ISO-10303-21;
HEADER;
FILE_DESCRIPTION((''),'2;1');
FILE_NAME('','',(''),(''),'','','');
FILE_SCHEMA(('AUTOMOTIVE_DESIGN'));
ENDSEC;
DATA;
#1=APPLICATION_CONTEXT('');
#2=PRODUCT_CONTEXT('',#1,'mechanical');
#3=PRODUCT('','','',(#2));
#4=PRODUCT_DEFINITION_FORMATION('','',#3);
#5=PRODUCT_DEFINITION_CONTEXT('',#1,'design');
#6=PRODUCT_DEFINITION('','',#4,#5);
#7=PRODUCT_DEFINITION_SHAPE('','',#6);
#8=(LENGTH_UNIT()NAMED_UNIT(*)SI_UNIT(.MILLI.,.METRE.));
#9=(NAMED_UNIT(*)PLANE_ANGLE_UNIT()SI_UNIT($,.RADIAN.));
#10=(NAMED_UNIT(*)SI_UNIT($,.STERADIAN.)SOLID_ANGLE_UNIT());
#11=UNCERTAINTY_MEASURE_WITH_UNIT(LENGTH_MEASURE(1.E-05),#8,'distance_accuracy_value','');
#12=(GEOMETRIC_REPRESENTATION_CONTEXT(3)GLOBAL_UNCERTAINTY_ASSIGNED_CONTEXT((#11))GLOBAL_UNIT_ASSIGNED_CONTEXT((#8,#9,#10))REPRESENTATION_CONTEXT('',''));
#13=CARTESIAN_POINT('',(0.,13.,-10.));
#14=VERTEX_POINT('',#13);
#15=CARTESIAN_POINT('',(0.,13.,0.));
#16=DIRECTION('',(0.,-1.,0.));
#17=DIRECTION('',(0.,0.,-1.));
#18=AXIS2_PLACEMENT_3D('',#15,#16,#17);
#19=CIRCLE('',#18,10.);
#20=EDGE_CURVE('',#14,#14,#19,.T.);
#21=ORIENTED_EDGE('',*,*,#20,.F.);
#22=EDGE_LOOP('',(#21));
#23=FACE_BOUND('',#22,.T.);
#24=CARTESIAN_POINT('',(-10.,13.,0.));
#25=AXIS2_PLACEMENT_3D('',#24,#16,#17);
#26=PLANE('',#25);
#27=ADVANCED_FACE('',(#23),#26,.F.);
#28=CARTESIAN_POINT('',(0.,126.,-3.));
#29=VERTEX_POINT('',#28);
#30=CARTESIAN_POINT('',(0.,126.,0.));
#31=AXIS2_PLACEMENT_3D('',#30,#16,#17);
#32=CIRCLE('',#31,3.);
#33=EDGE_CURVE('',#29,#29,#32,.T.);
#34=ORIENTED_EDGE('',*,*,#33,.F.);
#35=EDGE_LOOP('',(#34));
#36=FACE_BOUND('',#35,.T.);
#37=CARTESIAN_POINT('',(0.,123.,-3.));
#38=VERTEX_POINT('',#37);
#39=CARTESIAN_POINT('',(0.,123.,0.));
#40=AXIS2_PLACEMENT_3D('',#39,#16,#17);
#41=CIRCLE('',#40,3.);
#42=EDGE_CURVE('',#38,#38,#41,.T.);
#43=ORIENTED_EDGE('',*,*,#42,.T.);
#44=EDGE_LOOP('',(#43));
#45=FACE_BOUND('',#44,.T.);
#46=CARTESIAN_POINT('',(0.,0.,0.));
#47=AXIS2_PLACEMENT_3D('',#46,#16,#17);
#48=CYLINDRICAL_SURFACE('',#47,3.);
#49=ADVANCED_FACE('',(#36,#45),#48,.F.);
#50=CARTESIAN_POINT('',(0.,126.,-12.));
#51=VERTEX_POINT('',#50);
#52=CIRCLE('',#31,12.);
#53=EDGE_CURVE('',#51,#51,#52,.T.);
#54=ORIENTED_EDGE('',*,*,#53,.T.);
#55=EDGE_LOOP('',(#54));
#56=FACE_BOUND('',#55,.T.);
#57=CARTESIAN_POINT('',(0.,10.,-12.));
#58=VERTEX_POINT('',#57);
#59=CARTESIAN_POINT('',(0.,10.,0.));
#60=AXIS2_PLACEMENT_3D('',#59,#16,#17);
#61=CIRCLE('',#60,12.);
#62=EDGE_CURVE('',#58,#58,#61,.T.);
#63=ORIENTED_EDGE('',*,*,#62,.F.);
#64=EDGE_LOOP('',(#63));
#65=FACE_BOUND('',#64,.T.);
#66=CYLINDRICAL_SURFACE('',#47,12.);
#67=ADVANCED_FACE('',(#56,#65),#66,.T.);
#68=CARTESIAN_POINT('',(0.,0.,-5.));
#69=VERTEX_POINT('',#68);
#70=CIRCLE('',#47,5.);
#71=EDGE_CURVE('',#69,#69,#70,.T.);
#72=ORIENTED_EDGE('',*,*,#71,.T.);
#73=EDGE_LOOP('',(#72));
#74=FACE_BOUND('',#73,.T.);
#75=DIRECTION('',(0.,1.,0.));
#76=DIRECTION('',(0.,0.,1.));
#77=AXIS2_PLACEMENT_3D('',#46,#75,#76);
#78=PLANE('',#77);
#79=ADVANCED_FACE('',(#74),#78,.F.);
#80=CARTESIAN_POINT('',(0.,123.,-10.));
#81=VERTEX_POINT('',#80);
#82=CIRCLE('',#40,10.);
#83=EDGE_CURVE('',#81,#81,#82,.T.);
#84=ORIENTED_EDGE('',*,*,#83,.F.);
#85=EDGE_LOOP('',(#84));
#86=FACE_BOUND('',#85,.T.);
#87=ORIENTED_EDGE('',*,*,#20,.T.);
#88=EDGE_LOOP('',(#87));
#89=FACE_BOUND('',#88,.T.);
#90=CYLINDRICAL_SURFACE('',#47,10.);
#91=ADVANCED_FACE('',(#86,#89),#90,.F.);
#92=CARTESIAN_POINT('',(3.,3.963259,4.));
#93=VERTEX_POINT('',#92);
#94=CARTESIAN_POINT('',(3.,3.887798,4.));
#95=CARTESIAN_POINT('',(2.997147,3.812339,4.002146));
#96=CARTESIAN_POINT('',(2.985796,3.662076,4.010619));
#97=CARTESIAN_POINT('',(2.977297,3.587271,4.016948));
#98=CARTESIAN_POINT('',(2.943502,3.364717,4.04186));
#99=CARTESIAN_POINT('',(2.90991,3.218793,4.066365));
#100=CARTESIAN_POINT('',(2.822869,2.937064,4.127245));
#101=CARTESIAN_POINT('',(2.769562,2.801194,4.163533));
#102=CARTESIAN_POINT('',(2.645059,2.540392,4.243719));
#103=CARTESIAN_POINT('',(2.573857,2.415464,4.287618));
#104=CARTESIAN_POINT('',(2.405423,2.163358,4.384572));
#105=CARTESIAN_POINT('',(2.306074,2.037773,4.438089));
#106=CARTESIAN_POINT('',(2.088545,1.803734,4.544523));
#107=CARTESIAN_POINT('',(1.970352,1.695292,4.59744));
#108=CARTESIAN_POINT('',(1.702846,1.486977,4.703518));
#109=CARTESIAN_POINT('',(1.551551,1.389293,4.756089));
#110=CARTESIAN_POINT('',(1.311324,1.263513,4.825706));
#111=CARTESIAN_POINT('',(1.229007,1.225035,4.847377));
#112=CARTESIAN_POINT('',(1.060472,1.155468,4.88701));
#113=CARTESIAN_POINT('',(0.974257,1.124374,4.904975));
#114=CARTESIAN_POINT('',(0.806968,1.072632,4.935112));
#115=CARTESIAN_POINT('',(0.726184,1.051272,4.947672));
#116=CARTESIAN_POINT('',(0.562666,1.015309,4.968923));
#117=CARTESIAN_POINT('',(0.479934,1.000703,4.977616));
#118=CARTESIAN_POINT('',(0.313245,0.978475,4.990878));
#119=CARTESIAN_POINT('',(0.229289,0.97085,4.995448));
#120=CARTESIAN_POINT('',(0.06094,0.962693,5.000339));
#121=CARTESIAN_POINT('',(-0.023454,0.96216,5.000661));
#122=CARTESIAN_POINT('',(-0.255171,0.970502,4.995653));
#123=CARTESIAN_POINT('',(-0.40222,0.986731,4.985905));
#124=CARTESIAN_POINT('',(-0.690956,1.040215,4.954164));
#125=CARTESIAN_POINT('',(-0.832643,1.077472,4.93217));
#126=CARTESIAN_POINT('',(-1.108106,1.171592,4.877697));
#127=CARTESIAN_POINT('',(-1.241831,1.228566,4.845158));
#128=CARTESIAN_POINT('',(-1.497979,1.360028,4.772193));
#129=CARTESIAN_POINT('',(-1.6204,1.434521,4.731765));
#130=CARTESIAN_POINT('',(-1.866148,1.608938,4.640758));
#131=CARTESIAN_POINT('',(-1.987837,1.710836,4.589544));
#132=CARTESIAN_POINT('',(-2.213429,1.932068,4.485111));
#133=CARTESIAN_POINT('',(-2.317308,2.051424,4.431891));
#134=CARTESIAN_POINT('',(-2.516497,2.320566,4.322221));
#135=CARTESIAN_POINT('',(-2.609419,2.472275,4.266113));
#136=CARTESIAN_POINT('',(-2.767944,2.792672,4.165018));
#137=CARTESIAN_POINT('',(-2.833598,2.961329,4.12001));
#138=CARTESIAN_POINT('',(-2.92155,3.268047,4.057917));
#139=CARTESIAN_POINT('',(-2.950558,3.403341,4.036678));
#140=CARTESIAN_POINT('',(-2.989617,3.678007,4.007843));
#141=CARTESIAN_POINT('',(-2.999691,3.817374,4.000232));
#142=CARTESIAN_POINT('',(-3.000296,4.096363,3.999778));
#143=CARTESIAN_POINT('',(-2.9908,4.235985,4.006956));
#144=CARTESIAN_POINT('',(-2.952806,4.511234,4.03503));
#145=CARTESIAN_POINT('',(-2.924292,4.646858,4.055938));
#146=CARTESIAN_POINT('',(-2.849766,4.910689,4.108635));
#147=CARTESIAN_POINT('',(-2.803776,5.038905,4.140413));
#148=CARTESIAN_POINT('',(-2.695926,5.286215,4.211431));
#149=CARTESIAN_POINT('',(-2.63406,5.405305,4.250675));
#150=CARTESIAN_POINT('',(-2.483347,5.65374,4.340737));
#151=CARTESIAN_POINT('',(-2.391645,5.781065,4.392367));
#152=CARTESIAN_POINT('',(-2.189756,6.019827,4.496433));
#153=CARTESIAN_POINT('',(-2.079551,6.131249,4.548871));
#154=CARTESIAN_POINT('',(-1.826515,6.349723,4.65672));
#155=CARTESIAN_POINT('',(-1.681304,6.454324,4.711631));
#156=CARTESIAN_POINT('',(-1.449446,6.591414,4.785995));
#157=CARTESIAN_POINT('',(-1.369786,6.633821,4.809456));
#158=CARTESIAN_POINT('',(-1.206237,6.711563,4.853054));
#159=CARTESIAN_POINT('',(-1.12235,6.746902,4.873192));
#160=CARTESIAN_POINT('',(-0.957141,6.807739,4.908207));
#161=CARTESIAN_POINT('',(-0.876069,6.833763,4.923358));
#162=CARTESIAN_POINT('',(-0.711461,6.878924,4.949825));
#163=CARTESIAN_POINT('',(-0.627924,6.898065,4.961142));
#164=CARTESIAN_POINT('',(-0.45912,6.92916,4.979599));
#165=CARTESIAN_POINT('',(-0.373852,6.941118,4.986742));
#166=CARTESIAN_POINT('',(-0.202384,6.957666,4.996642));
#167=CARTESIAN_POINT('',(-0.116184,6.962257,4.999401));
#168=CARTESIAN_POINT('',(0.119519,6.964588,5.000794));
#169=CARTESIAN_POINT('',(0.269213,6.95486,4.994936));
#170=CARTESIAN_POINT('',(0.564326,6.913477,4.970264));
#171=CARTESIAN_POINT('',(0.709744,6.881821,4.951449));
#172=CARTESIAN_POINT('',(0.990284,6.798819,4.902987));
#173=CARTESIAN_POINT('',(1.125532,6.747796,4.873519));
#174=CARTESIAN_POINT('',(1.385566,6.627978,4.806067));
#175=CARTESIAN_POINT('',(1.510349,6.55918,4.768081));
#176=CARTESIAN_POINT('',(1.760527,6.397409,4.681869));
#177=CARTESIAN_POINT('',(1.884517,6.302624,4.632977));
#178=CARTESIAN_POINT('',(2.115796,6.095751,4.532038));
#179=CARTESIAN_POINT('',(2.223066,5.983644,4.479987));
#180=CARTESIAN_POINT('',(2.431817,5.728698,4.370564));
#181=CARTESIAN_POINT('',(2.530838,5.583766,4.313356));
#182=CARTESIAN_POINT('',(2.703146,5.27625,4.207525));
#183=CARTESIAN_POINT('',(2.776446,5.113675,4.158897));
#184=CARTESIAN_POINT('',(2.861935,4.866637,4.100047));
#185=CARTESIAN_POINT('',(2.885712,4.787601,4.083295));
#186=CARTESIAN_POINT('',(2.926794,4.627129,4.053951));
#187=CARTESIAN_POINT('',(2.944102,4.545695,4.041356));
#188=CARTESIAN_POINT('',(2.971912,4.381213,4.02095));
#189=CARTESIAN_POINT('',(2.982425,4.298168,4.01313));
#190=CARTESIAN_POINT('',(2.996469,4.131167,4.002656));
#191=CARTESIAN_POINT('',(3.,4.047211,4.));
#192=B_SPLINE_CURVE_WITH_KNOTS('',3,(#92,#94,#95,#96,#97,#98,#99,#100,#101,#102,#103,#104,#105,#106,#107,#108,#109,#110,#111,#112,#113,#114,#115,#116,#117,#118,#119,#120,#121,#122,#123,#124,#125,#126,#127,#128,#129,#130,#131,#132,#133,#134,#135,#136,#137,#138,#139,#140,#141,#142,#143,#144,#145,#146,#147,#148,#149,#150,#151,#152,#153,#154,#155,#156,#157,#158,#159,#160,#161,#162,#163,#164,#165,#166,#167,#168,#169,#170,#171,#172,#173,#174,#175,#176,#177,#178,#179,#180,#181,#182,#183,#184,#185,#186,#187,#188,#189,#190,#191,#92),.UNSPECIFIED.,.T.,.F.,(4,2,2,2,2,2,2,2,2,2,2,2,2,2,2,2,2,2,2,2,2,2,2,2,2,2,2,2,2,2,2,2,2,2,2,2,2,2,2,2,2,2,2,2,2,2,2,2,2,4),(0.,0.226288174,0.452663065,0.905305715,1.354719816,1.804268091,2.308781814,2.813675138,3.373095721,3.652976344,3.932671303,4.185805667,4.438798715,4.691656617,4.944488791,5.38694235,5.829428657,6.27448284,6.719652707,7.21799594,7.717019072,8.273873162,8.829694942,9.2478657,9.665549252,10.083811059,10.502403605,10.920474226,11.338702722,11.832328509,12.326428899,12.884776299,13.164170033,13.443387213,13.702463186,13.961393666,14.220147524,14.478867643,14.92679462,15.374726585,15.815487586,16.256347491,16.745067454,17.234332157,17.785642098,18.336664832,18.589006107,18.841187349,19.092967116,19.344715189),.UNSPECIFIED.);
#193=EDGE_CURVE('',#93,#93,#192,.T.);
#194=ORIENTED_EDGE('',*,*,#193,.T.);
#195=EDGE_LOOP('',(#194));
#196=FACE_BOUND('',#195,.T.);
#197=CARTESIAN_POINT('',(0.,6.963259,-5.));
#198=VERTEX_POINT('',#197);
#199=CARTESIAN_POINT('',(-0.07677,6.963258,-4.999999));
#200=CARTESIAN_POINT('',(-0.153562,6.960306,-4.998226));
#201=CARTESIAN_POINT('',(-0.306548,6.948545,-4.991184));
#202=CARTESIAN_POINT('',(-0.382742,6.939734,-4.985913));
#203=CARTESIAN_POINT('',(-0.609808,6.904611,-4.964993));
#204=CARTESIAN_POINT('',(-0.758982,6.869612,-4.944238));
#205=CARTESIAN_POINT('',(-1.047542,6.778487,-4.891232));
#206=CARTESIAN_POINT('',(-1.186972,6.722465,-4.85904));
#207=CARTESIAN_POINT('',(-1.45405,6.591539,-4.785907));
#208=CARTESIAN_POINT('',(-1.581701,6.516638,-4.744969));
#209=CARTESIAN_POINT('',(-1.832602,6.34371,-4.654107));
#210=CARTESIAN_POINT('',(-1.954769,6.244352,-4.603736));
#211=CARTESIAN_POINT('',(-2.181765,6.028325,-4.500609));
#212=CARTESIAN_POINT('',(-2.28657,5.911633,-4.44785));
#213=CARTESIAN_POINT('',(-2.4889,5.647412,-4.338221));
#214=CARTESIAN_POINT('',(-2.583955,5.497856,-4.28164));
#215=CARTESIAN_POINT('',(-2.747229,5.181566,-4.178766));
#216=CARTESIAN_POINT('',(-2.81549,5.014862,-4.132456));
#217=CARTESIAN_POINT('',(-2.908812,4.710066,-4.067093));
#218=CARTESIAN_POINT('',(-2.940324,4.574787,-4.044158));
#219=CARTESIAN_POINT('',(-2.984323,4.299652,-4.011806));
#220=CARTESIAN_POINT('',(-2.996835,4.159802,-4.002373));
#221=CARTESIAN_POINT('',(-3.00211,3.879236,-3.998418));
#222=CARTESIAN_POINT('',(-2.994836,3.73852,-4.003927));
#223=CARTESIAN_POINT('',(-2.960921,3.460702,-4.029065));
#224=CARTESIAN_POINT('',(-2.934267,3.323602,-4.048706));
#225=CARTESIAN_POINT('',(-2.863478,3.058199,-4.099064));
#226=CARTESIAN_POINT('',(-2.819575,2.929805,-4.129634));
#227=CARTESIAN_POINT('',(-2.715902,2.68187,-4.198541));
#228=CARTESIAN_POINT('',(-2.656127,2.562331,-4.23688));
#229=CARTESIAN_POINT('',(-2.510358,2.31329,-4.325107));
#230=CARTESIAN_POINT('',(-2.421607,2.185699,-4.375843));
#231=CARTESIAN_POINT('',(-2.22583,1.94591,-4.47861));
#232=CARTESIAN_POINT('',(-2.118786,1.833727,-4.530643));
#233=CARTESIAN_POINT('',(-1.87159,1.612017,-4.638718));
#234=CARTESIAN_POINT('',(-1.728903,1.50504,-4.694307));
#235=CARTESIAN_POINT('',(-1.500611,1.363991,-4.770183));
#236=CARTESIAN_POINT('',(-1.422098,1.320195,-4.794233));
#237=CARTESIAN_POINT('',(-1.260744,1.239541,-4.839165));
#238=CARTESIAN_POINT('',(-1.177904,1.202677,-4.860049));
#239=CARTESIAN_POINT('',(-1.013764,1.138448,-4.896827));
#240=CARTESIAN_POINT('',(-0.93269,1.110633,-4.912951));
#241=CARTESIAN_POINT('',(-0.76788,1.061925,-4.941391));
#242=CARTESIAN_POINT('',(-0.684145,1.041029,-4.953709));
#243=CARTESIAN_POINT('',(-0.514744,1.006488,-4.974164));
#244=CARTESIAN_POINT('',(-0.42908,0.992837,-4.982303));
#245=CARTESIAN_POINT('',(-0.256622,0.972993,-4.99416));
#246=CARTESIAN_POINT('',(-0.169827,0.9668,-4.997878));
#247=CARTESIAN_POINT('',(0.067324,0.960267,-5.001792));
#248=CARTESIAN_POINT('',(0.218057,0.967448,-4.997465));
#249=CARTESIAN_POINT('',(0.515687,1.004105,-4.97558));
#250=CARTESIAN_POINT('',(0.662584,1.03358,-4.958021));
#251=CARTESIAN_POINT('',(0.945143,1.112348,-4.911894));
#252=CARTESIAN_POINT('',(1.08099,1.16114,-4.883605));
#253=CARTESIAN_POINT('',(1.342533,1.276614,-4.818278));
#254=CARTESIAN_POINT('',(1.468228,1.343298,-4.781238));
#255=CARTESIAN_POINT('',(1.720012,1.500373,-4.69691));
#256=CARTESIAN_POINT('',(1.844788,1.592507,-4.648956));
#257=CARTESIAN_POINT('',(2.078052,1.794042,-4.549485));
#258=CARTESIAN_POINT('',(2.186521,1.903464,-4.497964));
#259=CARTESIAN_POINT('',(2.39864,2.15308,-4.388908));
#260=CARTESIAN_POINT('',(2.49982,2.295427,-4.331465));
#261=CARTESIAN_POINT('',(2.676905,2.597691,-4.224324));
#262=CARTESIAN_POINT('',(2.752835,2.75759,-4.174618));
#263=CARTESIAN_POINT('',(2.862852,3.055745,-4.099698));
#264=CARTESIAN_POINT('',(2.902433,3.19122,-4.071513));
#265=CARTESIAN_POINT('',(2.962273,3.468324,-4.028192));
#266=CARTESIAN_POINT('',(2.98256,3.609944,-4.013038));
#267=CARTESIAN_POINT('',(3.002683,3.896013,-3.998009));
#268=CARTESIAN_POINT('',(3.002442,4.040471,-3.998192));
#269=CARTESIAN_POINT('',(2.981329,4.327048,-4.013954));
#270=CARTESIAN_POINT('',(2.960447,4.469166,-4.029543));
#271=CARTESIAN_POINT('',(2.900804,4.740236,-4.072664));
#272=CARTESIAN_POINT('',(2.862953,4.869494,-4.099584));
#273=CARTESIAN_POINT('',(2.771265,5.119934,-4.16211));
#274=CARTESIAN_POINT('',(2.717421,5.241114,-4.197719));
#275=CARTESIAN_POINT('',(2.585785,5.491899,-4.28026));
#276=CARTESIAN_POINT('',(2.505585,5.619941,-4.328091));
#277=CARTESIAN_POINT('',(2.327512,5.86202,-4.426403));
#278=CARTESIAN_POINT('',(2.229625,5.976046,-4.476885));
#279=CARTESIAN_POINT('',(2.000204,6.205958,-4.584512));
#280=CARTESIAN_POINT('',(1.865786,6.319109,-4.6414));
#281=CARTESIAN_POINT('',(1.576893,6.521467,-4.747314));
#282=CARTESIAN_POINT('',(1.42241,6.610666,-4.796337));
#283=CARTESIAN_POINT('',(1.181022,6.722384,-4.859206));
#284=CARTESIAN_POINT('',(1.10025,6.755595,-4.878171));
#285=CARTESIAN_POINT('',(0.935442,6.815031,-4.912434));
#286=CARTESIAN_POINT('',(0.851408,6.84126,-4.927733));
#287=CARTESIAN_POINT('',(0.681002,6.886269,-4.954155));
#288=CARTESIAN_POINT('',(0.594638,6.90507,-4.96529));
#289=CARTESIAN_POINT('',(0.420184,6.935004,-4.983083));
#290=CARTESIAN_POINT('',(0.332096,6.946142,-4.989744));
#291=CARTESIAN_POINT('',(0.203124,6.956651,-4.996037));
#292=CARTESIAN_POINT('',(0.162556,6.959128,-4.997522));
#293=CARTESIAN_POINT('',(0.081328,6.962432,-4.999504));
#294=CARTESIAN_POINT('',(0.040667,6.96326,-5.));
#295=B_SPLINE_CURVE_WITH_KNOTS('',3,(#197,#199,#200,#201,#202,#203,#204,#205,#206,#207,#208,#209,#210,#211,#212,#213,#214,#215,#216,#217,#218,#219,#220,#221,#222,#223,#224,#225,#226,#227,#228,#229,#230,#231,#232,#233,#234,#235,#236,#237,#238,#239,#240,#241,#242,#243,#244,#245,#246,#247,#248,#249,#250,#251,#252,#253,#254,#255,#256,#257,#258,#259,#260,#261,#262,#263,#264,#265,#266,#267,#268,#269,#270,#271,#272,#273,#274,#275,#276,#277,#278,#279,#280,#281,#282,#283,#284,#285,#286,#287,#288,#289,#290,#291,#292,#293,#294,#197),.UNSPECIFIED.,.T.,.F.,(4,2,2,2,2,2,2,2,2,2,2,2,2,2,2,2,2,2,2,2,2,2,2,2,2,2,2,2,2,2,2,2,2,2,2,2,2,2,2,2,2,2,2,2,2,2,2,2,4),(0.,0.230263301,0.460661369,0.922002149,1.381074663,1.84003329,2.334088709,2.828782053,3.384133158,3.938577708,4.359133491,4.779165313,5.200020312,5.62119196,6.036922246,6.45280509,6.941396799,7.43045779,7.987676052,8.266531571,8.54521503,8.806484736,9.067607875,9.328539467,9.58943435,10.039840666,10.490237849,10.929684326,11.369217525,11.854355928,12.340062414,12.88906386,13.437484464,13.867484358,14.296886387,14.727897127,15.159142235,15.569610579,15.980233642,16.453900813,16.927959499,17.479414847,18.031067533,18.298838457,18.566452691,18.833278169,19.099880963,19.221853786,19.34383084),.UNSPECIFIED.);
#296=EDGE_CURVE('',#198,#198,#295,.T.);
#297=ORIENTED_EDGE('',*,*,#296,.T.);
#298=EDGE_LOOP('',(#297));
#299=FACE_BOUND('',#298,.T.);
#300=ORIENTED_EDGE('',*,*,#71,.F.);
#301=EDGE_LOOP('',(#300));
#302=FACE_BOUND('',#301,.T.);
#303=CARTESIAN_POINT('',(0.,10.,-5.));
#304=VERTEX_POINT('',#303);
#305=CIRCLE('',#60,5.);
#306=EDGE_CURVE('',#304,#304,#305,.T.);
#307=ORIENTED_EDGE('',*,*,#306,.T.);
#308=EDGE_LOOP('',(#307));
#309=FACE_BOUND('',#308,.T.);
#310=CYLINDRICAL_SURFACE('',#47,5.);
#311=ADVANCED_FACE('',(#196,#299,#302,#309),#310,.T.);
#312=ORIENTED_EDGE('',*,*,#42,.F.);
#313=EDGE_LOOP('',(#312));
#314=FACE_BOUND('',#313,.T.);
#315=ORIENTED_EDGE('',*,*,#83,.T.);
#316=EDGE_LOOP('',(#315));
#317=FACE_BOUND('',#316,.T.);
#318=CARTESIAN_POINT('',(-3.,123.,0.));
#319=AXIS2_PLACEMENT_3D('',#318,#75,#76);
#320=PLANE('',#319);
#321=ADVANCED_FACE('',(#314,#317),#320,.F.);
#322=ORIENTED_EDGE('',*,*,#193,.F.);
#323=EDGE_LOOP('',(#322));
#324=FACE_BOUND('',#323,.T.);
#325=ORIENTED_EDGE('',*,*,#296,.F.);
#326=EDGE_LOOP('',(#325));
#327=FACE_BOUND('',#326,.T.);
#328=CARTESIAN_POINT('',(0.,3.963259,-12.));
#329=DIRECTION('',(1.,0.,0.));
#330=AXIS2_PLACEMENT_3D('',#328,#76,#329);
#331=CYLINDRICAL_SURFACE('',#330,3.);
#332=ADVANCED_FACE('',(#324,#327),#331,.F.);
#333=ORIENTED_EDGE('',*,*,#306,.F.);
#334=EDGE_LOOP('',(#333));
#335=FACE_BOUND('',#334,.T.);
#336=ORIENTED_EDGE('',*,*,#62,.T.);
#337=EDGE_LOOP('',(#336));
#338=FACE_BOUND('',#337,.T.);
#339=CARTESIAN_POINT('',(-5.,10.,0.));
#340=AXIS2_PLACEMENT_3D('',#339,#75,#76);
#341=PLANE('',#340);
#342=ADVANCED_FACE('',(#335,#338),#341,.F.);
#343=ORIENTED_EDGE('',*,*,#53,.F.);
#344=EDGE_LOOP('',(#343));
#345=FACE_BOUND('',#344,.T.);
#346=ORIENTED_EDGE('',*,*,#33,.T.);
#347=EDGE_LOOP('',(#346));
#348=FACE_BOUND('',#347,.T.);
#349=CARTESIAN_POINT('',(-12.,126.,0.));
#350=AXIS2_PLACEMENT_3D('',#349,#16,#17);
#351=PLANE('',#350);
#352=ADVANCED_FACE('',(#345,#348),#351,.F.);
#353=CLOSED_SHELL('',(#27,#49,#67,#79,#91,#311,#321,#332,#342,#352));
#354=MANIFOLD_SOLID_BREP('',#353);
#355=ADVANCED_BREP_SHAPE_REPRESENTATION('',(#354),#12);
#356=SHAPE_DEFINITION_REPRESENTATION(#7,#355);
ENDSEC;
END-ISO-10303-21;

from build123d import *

# Parameters (mm, degrees)
CUT_EXTRUDE_1_DEPTH      = 128.137720603
CUT_EXTRUDE_1_DEPTH_BACK = 128.137720603
SKETCH_2_R               = 3


with BuildPart() as part:
    # 草图1 → 旋转1 (revolve)
    with BuildSketch(Plane.XY, mode=Mode.PRIVATE) as revolve_1_sk:
        Polygon((0, 0), (-5, 0), (-5, 10), (-12, 10), (-12, 126), (-3, 126), (-3, 123), (-10, 123), (-10, 13), (0, 13), align=None)
    revolve(revolve_1_sk.sketch.rotate(Axis((0, 0, 0), (0, 1, 0)), 270), axis=Axis((0, 0, 0), (0, 1, 0)))

    # 草图2 → 切除-拉伸1 (cut, two sides: drawn at the far end of the back side and taken through both)
    with BuildSketch(Plane.XY.offset(-CUT_EXTRUDE_1_DEPTH_BACK)):
        with Locations((0, 3.963259356)):
            Circle(SKETCH_2_R)
    extrude(amount=CUT_EXTRUDE_1_DEPTH + CUT_EXTRUDE_1_DEPTH_BACK, mode=Mode.SUBTRACT)


solid = part.part
